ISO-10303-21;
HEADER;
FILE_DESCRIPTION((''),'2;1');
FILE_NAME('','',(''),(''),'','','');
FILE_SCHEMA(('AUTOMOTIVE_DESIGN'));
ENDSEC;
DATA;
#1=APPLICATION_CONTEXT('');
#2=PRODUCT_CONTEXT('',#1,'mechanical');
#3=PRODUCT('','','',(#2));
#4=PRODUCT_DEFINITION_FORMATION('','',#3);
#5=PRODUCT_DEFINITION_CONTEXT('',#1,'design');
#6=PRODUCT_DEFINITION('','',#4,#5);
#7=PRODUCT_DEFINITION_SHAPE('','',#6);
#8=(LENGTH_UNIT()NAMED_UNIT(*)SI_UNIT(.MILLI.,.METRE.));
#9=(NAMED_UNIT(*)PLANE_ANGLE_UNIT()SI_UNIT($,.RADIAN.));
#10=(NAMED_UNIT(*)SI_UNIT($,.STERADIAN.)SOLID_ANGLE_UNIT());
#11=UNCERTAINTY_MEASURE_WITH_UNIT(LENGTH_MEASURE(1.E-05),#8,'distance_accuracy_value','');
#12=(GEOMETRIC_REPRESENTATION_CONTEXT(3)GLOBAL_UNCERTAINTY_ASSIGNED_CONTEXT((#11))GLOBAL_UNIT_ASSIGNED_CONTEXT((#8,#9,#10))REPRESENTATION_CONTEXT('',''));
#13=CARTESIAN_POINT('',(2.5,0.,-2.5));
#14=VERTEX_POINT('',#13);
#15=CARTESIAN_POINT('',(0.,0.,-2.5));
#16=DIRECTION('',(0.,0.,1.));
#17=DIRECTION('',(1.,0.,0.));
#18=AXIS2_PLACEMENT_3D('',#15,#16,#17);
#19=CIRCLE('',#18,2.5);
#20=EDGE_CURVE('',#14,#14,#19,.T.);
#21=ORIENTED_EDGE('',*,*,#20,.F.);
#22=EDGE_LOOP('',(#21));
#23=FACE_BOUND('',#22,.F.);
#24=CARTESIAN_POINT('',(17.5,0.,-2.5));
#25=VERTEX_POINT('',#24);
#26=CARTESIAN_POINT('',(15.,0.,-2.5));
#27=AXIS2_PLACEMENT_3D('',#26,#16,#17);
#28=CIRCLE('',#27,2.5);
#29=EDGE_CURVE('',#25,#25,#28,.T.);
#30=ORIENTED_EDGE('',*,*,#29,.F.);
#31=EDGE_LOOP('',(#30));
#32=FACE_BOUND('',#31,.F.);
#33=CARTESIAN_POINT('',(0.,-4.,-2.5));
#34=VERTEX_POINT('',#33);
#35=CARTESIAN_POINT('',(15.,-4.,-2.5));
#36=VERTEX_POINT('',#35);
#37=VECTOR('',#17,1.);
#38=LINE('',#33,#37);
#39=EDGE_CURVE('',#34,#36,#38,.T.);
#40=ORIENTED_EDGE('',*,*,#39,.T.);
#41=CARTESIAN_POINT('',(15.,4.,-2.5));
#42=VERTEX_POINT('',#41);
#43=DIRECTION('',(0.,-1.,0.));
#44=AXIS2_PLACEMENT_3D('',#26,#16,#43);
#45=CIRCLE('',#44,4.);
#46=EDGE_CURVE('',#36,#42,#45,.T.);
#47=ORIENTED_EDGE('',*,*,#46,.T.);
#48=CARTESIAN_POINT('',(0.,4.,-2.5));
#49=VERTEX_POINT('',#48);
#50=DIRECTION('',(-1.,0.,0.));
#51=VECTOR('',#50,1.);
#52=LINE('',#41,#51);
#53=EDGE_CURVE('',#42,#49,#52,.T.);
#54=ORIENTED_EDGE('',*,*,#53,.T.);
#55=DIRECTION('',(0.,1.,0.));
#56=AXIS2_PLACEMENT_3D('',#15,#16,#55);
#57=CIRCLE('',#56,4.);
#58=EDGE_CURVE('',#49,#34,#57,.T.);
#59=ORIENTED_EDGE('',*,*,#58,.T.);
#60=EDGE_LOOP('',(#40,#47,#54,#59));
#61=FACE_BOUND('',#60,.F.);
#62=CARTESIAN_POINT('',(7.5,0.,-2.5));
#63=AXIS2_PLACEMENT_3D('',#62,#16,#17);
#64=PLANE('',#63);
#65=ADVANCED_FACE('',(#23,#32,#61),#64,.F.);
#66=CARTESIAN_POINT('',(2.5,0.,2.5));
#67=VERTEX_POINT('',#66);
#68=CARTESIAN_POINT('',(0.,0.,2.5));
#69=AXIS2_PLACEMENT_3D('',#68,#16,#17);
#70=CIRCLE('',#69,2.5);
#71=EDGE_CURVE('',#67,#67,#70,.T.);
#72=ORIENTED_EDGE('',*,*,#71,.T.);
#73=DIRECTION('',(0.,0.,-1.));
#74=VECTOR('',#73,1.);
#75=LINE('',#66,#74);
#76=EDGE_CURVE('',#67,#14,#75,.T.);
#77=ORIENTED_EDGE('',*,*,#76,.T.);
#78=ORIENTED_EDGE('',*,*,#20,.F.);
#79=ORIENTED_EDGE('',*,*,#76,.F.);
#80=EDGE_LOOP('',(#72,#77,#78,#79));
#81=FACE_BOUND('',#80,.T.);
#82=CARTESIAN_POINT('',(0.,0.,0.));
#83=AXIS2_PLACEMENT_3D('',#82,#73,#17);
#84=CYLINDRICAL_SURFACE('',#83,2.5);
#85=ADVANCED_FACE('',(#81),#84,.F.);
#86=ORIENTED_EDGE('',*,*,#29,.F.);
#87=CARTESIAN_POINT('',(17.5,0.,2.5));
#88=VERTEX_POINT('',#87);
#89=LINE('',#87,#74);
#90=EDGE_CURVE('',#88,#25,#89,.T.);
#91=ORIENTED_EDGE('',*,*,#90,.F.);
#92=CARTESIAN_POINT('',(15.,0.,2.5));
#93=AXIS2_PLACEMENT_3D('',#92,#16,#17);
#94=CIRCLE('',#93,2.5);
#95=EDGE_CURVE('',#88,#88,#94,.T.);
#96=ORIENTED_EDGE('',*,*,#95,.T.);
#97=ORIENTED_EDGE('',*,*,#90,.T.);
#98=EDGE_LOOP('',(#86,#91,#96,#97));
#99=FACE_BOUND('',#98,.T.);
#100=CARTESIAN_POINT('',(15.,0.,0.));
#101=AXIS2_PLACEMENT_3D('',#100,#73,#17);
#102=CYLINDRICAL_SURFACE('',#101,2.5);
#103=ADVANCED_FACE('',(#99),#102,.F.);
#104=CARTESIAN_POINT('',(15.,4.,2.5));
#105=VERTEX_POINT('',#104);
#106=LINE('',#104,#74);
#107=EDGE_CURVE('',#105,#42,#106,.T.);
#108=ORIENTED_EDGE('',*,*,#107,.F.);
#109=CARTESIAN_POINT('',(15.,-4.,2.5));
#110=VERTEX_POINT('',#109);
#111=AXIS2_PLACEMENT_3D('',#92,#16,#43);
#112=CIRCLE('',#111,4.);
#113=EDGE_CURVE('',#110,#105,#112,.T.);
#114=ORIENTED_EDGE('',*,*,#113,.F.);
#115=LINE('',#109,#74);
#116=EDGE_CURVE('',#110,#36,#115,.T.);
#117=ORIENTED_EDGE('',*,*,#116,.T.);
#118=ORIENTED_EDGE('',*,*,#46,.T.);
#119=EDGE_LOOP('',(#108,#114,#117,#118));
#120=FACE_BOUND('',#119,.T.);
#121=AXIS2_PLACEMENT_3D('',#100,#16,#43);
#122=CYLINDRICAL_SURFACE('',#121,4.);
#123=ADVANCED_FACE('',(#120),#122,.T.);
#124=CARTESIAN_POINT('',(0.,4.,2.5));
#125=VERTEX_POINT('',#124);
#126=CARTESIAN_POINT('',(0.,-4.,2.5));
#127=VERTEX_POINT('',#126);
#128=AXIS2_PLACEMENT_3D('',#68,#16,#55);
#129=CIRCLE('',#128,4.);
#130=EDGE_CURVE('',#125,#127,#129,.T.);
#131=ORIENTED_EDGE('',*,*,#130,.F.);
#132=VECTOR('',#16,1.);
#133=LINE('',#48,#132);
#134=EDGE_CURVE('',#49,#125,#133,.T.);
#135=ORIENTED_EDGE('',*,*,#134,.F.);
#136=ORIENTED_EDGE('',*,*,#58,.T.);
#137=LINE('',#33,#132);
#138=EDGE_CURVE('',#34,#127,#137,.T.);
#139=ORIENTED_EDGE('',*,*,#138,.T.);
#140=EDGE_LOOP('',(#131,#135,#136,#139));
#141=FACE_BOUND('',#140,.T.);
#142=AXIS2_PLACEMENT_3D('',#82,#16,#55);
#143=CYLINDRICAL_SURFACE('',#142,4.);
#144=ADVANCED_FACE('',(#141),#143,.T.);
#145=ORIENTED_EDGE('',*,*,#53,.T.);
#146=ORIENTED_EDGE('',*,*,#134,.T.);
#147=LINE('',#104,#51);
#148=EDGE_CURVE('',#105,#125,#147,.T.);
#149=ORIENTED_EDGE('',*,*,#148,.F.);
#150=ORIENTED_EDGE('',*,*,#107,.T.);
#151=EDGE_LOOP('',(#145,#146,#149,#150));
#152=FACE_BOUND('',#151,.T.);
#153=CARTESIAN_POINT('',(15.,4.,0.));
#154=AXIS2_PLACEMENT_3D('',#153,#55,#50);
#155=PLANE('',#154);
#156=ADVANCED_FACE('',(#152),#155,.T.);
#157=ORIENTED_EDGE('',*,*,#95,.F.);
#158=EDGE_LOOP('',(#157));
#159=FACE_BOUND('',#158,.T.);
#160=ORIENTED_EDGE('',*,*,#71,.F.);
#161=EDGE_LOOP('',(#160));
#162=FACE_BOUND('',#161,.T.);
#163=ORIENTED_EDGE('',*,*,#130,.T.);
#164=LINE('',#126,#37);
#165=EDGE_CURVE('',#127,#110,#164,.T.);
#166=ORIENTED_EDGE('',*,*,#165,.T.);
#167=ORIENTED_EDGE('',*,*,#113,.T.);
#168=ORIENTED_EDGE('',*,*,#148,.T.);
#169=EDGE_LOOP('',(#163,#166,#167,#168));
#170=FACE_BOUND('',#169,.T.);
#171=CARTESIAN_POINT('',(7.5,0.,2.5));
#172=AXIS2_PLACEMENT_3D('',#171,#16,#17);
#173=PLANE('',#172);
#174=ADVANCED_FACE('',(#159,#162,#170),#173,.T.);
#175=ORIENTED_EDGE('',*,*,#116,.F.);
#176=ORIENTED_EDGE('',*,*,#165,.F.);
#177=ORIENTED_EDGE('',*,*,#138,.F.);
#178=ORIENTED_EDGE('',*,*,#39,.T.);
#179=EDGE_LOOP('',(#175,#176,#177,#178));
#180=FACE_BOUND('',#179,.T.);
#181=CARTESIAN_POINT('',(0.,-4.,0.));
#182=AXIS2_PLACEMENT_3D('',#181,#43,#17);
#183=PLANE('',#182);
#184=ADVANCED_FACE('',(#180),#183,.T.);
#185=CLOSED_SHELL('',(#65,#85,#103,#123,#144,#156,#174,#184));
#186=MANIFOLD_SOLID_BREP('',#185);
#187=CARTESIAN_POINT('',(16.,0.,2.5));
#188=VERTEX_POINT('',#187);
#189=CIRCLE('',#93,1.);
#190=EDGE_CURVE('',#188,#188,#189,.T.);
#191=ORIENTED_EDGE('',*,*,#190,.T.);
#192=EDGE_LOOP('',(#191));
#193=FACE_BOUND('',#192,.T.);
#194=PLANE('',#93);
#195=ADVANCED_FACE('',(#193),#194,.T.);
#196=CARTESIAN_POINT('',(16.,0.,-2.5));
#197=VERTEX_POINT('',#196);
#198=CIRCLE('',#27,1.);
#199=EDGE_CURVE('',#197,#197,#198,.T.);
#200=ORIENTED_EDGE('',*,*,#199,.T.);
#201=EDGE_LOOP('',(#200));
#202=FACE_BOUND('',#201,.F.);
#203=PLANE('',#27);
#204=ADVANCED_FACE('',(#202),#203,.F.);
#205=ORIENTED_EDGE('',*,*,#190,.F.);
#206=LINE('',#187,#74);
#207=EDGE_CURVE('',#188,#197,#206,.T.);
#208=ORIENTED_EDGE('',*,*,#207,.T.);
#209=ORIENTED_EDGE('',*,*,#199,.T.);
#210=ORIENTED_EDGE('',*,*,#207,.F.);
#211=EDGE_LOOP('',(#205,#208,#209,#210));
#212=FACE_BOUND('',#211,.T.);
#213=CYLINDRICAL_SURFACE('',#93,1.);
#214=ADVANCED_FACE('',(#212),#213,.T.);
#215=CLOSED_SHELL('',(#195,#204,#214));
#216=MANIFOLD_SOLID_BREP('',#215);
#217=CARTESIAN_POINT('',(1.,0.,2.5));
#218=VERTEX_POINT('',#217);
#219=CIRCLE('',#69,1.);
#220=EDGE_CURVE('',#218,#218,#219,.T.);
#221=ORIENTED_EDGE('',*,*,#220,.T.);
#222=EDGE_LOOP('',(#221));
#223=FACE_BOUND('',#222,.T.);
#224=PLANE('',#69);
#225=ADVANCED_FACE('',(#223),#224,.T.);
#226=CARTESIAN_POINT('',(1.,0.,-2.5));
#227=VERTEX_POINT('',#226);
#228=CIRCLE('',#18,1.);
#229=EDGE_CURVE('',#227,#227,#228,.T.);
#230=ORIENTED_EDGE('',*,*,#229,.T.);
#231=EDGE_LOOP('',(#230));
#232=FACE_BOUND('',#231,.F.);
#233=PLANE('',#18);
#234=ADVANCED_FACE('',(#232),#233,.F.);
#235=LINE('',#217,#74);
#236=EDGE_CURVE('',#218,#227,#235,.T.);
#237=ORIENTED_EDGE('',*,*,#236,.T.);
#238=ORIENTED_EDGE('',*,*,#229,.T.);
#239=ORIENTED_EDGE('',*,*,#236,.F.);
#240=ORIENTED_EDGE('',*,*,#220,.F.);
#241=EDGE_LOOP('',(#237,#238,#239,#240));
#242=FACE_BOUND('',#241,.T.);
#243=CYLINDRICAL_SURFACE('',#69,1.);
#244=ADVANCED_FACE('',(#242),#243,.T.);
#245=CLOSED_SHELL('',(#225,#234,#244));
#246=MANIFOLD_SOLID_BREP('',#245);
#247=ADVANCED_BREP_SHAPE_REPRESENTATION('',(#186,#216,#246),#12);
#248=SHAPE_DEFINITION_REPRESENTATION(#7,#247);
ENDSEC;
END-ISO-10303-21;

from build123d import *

# Parameters (mm, degrees)
F0_R     = 2.5
F1_DEPTH = 2.5
F2_R     = 1
F3_DEPTH = 5


with BuildPart() as f1:
    # F0 (on Top) → F1 (new body, symmetric)
    with BuildSketch(Plane.XY):
        with BuildLine():
            Line((15, 4), (0, 4))
            ThreePointArc((0, 4), (-4, 0), (0, -4))
            Line((0, -4), (15, -4))
            ThreePointArc((15, -4), (19, 0), (15, 4))
        make_face()
        Circle(F0_R, mode=Mode.SUBTRACT)
        with Locations((15, 0)):
            Circle(F0_R, mode=Mode.SUBTRACT)
    extrude(amount=F1_DEPTH, both=True)


with BuildPart() as f3:
    # F2 (on face) → F3 (new body)
    with BuildSketch(Plane.XY.offset(2.5)):
        Circle(F2_R)
        with Locations((15, 0)):
            Circle(F2_R)
    extrude(amount=-F3_DEPTH)


solid = Compound([f1.part, f3.part])
